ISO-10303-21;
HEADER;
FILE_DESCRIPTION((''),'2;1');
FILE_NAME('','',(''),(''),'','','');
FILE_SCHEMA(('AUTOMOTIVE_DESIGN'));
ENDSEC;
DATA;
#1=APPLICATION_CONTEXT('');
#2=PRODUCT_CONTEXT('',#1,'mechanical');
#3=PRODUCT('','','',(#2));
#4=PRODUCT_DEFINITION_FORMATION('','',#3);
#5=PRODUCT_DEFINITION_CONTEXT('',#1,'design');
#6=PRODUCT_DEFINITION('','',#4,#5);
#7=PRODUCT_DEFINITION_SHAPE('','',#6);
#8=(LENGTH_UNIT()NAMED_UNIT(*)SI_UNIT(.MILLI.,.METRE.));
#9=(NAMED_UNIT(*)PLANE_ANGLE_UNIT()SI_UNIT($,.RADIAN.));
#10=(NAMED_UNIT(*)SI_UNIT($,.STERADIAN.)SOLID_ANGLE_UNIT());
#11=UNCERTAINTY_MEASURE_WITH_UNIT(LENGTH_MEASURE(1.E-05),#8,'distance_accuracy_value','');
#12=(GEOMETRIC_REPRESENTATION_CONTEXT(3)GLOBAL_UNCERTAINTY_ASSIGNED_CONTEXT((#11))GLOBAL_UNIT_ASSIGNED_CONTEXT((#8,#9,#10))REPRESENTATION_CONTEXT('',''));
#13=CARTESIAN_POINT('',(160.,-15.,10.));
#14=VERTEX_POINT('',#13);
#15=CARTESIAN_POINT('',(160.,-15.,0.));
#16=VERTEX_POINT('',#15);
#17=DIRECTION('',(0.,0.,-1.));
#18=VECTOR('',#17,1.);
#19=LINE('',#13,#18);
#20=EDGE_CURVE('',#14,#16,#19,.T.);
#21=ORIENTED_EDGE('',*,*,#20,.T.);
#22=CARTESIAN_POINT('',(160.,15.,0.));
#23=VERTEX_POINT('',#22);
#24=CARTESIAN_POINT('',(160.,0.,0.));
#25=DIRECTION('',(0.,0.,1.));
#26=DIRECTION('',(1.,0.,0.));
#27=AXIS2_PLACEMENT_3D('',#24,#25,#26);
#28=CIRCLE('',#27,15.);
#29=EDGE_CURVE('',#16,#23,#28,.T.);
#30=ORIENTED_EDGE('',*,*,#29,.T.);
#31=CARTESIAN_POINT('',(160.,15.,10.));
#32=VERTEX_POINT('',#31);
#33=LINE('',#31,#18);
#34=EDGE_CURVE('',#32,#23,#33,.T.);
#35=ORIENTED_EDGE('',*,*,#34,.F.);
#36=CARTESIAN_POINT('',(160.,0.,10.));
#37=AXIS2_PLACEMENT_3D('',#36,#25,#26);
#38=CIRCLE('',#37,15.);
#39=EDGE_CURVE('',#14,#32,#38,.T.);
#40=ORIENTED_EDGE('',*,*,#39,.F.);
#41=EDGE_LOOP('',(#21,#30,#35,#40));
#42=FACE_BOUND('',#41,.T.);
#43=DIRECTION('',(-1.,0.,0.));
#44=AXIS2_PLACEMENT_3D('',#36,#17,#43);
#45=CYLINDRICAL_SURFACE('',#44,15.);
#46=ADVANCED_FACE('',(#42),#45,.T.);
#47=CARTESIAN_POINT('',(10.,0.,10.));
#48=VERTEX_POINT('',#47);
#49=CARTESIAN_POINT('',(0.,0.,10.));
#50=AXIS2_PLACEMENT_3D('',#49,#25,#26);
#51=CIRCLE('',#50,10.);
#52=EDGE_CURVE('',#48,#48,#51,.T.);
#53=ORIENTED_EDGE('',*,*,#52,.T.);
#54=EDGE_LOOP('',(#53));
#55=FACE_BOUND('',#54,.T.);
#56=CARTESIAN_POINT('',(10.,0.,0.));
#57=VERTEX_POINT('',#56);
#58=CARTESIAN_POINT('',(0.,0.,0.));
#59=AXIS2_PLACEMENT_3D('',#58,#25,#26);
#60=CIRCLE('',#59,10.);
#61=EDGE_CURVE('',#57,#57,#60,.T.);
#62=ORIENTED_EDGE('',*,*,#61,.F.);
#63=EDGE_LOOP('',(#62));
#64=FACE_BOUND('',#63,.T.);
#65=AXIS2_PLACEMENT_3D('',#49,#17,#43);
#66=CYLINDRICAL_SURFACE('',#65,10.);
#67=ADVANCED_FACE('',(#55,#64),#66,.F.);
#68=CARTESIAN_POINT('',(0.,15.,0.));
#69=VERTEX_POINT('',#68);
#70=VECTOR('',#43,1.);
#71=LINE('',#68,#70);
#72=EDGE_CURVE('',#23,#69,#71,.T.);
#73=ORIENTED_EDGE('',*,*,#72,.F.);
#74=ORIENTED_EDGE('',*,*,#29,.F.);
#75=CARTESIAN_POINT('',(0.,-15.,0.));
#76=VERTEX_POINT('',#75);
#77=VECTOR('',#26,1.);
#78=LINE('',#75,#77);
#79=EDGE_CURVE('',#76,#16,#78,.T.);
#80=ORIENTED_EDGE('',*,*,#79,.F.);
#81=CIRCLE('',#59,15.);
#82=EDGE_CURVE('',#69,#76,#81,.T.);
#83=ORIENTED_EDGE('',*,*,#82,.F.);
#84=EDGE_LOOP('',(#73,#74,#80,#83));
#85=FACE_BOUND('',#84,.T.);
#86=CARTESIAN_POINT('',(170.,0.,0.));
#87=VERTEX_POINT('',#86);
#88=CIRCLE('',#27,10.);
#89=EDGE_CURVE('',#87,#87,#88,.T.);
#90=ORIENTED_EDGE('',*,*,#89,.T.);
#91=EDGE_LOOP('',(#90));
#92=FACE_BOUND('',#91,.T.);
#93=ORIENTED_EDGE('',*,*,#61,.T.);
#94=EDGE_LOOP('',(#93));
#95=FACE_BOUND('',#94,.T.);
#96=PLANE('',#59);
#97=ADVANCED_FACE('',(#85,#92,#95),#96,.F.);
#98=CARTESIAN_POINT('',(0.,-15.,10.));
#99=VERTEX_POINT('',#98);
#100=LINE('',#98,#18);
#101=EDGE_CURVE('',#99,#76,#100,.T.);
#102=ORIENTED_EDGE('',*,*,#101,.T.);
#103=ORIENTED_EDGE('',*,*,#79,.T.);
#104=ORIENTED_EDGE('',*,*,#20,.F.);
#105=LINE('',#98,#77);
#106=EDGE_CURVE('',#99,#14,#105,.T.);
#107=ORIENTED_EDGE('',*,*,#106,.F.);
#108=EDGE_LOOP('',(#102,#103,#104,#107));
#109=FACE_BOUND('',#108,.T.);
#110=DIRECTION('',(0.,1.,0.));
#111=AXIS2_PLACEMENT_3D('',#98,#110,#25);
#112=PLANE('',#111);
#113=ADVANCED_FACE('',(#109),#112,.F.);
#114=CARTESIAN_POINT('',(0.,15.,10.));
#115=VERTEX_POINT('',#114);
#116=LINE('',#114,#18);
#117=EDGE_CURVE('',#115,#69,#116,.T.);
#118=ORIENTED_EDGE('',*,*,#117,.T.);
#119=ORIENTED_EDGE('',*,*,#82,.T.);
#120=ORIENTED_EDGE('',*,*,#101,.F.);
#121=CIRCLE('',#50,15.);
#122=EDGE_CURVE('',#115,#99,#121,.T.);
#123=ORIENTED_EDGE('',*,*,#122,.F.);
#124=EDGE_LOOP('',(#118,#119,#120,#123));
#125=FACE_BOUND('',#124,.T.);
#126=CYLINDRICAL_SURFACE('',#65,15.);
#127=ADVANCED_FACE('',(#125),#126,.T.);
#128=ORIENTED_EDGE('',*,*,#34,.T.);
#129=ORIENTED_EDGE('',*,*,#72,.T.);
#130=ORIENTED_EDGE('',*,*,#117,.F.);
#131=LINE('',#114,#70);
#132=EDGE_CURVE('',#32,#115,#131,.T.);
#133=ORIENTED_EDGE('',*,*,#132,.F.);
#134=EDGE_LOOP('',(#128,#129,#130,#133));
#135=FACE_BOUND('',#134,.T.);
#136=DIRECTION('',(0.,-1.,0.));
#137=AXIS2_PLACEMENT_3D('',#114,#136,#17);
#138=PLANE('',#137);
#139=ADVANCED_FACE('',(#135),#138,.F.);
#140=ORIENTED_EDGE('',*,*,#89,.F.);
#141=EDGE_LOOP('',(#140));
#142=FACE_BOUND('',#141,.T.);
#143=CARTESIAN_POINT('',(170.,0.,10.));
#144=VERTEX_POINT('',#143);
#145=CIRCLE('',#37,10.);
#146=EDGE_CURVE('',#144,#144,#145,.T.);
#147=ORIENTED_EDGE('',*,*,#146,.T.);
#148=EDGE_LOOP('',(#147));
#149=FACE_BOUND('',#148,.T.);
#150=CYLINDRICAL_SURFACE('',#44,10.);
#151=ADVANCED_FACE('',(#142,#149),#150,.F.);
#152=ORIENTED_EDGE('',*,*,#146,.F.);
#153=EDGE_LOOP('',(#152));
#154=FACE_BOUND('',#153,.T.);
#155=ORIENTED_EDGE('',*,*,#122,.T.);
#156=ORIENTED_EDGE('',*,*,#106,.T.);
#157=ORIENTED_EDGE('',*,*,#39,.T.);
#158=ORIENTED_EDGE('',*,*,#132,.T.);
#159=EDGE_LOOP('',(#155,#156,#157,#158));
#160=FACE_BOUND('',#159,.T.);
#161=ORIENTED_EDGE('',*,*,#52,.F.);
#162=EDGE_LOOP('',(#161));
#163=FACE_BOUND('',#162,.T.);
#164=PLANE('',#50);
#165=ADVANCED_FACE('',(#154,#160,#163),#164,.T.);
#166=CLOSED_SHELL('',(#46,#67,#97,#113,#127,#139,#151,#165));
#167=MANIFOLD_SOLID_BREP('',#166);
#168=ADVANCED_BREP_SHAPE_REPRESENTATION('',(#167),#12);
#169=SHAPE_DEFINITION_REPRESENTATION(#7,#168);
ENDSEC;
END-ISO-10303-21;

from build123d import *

# Parameters (mm, degrees)
SKETCH_1_R      = 10
EXTRUDE_1_DEPTH = 10


with BuildPart() as part:
    # Эскиз1 → Бобышка-Вытянуть1 (new body)
    with BuildSketch(Plane.XY):
        with BuildLine():
            Line((0, 15), (160, 15))
            ThreePointArc((160, 15), (175, 0), (160, -15))
            Line((160, -15), (0, -15))
            ThreePointArc((0, -15), (-15, 0), (0, 15))
        make_face()
        Circle(SKETCH_1_R, mode=Mode.SUBTRACT)
        with Locations((160, 0)):
            Circle(SKETCH_1_R, mode=Mode.SUBTRACT)
    extrude(amount=EXTRUDE_1_DEPTH)


solid = part.part
